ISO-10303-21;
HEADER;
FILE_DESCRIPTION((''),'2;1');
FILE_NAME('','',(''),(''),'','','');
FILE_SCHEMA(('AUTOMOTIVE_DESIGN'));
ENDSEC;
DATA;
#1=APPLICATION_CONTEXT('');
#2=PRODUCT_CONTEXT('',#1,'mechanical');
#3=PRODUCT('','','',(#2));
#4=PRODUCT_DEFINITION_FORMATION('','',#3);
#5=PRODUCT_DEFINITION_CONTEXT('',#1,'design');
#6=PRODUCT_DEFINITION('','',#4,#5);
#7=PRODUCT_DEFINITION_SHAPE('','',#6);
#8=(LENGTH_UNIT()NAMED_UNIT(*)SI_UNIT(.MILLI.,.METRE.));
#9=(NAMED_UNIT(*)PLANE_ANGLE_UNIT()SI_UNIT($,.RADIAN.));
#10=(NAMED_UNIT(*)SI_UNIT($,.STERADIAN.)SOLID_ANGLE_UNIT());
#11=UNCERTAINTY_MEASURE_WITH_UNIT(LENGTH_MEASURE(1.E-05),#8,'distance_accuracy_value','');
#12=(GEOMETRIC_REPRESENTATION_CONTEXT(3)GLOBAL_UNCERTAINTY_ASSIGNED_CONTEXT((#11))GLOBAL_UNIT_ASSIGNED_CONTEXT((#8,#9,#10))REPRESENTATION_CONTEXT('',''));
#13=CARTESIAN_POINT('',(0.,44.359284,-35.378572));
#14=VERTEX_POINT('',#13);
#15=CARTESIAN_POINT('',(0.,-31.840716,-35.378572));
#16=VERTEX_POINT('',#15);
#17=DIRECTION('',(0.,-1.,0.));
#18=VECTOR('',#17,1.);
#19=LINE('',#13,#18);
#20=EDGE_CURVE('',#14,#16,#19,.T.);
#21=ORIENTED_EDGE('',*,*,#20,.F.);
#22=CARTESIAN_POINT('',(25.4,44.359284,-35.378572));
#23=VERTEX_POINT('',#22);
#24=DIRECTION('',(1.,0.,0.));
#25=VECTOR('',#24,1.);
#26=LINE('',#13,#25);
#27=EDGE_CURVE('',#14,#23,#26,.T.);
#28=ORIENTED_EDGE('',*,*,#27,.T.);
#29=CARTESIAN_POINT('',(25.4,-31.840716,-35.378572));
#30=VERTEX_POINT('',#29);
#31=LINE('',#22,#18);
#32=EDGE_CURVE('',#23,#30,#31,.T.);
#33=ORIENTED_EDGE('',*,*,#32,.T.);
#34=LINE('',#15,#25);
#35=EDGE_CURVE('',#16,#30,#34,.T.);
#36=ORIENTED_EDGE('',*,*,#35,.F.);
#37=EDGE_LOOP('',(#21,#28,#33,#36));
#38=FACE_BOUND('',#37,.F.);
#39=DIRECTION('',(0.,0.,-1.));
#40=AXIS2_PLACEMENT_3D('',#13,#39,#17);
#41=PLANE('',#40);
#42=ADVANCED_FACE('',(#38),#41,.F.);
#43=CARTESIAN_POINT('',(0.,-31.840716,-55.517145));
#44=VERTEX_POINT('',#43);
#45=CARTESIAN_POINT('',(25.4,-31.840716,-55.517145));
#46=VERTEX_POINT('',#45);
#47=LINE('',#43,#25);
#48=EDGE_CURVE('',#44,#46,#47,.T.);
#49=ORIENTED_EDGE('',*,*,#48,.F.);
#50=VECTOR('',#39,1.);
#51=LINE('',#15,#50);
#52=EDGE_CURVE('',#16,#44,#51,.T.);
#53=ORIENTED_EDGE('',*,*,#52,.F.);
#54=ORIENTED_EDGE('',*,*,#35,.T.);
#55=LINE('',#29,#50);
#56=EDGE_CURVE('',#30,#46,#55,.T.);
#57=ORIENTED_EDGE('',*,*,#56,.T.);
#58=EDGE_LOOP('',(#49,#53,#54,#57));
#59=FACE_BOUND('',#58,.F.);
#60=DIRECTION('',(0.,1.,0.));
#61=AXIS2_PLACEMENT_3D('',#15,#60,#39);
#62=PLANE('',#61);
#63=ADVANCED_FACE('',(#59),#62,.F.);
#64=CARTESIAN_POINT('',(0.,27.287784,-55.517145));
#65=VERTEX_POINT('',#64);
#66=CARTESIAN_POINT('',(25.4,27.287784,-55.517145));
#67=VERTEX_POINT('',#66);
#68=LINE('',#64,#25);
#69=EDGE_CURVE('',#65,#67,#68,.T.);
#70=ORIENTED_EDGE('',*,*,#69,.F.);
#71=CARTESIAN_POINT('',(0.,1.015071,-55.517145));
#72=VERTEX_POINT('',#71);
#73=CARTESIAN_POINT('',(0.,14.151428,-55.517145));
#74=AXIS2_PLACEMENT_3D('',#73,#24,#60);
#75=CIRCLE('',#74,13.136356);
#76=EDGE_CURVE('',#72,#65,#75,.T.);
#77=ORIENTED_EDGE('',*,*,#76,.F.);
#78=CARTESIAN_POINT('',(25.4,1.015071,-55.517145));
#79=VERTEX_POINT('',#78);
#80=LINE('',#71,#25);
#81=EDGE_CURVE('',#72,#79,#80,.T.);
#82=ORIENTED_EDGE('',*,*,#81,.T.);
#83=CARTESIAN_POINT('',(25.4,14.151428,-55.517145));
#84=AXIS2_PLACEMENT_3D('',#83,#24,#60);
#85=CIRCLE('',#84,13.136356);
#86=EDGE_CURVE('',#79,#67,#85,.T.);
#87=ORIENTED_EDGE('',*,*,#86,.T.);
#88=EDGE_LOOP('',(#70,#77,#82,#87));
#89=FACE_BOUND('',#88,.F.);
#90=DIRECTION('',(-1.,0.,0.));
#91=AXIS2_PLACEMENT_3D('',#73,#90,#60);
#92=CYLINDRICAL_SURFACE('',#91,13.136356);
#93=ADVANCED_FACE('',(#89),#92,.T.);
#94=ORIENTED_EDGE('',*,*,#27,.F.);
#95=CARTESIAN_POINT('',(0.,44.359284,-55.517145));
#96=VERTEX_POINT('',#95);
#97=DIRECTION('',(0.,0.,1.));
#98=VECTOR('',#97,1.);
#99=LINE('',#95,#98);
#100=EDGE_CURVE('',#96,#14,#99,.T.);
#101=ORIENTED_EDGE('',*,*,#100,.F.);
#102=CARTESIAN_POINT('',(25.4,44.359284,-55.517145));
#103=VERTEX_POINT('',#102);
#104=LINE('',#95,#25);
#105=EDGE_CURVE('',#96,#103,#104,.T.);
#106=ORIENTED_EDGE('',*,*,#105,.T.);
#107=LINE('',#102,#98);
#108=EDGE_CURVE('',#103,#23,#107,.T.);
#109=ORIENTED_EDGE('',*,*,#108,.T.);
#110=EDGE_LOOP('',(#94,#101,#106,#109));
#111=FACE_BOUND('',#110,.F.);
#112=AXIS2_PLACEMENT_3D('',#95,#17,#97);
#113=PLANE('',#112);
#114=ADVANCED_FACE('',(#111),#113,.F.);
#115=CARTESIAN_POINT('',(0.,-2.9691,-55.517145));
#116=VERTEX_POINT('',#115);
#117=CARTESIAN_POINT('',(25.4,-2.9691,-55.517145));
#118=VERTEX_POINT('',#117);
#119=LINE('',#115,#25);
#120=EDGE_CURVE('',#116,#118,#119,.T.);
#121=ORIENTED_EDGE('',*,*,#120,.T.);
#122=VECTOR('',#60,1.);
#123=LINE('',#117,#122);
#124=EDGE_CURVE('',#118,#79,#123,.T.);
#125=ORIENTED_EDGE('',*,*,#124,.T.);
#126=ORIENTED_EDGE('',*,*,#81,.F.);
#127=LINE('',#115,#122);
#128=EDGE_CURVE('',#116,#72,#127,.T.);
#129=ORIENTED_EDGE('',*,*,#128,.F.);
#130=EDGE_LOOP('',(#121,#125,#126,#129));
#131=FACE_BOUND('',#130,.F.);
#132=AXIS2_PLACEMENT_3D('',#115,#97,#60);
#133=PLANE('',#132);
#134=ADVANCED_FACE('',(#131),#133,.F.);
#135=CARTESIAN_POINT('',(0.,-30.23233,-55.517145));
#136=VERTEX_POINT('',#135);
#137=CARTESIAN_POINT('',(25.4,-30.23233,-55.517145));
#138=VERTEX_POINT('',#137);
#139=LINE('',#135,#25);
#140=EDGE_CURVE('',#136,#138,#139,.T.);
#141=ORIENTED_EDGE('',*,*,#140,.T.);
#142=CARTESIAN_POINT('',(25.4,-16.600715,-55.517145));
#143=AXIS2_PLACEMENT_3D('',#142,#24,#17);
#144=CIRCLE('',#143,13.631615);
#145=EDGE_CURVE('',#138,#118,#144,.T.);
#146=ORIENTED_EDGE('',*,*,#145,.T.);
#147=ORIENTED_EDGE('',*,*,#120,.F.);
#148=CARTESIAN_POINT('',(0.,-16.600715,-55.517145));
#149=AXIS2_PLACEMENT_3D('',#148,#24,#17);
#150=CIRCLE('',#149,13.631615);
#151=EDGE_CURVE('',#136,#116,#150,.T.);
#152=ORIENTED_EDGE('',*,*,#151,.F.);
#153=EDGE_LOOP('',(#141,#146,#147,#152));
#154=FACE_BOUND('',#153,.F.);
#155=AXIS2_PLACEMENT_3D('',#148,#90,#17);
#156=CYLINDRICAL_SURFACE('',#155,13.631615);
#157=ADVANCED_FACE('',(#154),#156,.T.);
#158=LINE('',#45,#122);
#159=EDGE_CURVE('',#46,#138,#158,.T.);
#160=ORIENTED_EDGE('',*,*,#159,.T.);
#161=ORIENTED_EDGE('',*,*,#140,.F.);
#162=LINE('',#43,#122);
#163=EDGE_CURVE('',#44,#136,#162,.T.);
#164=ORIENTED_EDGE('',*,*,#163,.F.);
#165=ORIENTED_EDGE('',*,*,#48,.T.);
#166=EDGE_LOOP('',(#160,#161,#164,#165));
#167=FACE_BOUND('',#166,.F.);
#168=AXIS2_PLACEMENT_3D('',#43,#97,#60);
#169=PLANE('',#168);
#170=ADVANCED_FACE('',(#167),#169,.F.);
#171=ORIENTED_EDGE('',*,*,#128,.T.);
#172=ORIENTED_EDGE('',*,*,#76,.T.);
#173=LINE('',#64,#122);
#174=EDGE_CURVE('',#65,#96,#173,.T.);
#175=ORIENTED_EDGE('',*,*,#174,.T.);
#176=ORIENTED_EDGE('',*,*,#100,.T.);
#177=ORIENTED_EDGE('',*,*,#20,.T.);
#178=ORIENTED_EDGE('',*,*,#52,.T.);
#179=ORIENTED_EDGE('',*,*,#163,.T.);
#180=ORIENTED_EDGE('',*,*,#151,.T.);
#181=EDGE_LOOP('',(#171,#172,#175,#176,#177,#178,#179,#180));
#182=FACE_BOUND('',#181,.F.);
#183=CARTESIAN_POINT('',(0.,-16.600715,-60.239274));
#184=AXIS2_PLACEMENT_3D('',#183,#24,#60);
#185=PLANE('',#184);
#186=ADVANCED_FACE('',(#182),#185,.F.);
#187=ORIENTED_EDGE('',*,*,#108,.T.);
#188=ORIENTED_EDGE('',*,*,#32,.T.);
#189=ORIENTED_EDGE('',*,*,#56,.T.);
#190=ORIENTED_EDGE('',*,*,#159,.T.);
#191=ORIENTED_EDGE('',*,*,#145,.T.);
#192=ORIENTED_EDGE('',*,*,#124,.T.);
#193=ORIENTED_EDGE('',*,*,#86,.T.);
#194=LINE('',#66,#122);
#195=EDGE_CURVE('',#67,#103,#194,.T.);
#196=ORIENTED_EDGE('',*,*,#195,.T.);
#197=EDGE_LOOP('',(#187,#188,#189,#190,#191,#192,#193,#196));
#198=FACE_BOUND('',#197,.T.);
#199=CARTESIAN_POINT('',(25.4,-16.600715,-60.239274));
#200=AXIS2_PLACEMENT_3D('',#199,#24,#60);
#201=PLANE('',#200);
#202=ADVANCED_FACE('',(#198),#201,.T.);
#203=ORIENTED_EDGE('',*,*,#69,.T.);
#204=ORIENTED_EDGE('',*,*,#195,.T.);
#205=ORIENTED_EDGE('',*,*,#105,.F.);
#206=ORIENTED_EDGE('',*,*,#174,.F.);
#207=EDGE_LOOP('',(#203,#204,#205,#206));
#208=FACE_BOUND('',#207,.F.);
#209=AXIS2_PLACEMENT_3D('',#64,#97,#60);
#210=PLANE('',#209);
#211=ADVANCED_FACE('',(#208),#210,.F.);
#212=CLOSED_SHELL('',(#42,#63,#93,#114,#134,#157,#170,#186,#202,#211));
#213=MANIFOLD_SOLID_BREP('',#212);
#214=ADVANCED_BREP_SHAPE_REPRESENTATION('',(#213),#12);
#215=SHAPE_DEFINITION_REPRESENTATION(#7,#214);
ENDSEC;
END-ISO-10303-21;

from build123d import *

# Parameters (mm, degrees)
F1_DEPTH = 25.4


with BuildPart() as f1:
    # F0 (on Right) → F1 (new body)
    with BuildSketch(Plane.YZ):
        with BuildLine():
            Line((-2.9690999484, -55.5171445012), (-30.2323300445, -55.5171445012))
            ThreePointArc((-30.2323300445, -55.5171445012), (-16.6007149965, -69.1487595492), (-2.9690999484, -55.5171445012))
        make_face()
        with BuildLine():
            ThreePointArc((1.0150714909, -55.5171445012), (14.1514278948, -68.6535009052), (27.2877842988, -55.5171445012))
            Line((27.2877842988, -55.5171445012), (1.0150714909, -55.5171445012))
        make_face()
        with BuildLine():
            ThreePointArc((-2.9690999484, -55.5171445012), (-16.6007149965, -41.8855294532), (-30.2323300445, -55.5171445012))
            Line((-30.2323300445, -55.5171445012), (-2.9690999484, -55.5171445012))
        make_face()
        with BuildLine():
            Line((1.0150714909, -55.5171445012), (27.2877842988, -55.5171445012))
            ThreePointArc((27.2877842988, -55.5171445012), (14.1514278948, -42.3807880973), (1.0150714909, -55.5171445012))
        make_face()
        with BuildLine():
            Line((-31.8407155573, -35.3785715997), (-31.8407155573, -55.5171445012))
            Line((-31.8407155573, -55.5171445012), (-30.2323300445, -55.5171445012))
            ThreePointArc((-30.2323300445, -55.5171445012), (-16.6007149965, -41.8855294532), (-2.9690999484, -55.5171445012))
            Line((-2.9690999484, -55.5171445012), (1.0150714909, -55.5171445012))
            ThreePointArc((1.0150714909, -55.5171445012), (14.1514278948, -42.3807880973), (27.2877842988, -55.5171445012))
            Line((27.2877842988, -55.5171445012), (44.3592844427, -55.5171445012))
            Line((44.3592844427, -55.5171445012), (44.3592844427, -35.3785715997))
            Line((44.3592844427, -35.3785715997), (-31.8407155573, -35.3785715997))
        make_face()
    extrude(amount=F1_DEPTH)


solid = f1.part
